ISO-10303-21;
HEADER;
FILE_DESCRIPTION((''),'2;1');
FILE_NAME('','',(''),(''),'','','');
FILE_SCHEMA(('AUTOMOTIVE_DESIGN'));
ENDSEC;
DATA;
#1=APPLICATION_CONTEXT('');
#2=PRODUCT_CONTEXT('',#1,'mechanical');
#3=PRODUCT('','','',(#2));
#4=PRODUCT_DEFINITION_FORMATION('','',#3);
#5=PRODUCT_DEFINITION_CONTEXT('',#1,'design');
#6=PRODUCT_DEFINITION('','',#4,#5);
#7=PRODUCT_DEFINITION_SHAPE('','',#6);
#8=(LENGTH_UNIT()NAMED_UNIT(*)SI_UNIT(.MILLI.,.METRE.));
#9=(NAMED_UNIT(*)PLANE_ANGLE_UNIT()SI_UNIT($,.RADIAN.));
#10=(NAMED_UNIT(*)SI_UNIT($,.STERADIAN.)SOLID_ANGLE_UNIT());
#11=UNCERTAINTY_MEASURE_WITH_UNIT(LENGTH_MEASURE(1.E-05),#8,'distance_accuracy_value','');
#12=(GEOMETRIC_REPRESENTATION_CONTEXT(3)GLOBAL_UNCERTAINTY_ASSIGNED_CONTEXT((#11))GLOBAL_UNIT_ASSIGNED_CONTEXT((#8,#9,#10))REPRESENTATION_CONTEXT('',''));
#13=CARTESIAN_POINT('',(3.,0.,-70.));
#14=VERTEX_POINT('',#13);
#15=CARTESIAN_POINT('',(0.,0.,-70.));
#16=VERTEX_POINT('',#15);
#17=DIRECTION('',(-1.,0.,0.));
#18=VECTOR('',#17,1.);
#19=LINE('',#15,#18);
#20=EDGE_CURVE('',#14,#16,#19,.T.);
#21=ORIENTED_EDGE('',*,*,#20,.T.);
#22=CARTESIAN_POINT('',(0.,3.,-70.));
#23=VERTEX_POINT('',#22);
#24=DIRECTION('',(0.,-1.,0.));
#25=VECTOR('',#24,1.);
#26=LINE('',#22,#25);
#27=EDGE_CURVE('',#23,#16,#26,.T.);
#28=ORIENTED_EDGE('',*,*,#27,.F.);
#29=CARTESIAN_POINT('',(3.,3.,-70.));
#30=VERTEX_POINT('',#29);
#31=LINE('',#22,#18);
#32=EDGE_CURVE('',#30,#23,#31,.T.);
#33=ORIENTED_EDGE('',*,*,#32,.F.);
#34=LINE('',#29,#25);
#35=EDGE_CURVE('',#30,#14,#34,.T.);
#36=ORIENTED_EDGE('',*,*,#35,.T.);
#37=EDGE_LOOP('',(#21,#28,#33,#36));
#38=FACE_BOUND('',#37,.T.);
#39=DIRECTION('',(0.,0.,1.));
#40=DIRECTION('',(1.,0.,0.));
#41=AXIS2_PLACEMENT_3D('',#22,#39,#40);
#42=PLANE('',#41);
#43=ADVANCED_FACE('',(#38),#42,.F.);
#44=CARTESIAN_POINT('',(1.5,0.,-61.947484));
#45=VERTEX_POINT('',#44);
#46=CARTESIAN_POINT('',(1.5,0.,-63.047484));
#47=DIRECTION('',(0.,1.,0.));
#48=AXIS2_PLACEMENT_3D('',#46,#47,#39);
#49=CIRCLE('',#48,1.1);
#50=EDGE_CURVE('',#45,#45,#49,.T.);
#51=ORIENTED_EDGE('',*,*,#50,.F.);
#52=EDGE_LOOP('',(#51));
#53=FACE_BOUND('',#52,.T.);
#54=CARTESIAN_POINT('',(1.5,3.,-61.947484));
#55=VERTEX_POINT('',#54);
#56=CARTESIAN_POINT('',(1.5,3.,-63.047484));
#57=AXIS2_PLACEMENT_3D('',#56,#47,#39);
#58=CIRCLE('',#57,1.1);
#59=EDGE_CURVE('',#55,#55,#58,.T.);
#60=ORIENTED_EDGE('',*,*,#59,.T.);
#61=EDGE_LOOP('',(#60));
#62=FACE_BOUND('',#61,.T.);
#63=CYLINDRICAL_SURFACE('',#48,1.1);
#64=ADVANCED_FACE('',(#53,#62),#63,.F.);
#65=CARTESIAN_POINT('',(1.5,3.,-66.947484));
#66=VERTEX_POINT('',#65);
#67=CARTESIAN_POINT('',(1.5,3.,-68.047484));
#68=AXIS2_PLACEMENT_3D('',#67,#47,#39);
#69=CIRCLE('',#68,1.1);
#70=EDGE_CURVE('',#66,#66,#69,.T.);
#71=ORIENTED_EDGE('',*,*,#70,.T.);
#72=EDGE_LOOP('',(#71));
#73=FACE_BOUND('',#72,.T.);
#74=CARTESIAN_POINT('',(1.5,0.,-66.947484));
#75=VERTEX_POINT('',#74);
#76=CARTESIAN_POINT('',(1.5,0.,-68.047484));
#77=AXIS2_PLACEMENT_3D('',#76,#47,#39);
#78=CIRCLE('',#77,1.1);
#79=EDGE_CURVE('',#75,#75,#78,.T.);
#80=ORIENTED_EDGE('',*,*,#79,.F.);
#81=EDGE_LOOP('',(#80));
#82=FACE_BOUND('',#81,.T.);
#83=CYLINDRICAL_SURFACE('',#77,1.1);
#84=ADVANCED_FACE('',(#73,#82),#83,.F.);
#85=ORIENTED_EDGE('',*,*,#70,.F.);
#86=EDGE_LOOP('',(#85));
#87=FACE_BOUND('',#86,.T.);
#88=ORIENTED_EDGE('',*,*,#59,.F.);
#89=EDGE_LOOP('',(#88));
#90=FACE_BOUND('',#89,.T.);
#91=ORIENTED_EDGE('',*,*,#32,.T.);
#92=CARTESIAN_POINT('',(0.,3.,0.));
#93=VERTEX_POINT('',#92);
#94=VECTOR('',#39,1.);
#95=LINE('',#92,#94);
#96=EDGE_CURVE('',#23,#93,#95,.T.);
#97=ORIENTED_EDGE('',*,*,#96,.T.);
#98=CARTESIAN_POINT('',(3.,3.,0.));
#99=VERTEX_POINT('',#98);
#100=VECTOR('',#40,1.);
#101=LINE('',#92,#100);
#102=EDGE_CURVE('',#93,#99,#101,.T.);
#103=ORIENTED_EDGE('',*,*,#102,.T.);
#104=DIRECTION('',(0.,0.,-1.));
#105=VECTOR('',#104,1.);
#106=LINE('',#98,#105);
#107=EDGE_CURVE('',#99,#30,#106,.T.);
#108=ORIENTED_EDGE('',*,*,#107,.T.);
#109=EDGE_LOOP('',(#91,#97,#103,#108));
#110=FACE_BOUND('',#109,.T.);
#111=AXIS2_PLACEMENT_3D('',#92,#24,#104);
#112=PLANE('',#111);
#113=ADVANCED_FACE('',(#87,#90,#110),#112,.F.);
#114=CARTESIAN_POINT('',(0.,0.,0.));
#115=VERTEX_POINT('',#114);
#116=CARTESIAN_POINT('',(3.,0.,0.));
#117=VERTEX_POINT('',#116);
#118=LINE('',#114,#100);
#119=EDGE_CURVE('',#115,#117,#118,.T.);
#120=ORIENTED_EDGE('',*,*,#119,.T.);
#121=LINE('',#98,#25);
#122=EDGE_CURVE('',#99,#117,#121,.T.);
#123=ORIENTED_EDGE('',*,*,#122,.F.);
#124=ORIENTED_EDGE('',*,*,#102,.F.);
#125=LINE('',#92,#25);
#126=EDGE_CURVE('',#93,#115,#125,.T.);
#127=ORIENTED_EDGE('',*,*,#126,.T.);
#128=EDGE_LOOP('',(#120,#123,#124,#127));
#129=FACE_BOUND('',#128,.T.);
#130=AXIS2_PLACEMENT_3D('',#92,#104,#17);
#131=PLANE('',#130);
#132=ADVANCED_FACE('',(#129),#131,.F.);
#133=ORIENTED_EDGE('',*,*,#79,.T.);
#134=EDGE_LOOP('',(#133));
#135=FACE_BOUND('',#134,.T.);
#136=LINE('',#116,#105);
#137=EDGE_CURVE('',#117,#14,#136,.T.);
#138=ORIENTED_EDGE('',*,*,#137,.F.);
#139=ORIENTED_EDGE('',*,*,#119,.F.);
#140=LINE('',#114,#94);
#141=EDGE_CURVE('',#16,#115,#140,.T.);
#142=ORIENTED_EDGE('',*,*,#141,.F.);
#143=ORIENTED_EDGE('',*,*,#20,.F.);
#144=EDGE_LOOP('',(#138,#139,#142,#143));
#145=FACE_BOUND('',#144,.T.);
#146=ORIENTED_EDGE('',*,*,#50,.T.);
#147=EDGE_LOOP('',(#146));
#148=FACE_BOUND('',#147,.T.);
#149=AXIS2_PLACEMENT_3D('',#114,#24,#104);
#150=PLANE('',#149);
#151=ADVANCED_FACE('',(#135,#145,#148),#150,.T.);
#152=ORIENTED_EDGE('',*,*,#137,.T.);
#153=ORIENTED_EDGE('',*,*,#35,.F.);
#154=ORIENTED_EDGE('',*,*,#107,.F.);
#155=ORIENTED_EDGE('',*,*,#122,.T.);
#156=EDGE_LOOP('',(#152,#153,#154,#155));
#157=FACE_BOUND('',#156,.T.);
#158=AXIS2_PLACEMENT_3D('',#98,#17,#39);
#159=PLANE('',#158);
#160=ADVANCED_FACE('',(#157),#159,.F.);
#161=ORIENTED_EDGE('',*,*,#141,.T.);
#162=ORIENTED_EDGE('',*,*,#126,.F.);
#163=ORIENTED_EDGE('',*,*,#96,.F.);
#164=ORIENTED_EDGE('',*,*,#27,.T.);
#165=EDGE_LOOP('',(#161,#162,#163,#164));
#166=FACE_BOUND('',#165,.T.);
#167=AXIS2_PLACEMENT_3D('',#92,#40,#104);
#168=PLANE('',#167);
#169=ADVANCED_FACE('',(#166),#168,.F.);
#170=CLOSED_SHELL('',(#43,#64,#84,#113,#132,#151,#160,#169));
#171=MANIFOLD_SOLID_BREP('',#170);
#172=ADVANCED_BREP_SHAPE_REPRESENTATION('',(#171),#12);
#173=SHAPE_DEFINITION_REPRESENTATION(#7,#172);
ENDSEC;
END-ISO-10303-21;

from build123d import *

# Parameters (mm, degrees)
SKETCH2_W           = 3
SKETCH2_H           = 70
BOSS_EXTRUDE2_DEPTH = 3
SKETCH4_R           = 1.1
CUT_EXTRUDE1_DEPTH  = 4


with BuildPart() as part:
    # Sketch2 → Boss-Extrude2 (new body)
    with BuildSketch(Plane(origin=(0, 0, 0), x_dir=(1, 0, 0), z_dir=(0, 1, 0))):
        with Locations((1.5, 35)):
            Rectangle(SKETCH2_W, SKETCH2_H)
    extrude(amount=BOSS_EXTRUDE2_DEPTH)

    # Sketch4 → Cut-Extrude1 (cut, through all)
    with BuildSketch(Plane(origin=(0, 3, 0), x_dir=(1, 0, 0), z_dir=(0, 1, 0))):
        with Locations((1.5, 68.047484244)):
            Circle(SKETCH4_R)
        with Locations((1.5, 63.047484244)):
            Circle(SKETCH4_R)
    extrude(amount=-CUT_EXTRUDE1_DEPTH, mode=Mode.SUBTRACT)


solid = part.part
